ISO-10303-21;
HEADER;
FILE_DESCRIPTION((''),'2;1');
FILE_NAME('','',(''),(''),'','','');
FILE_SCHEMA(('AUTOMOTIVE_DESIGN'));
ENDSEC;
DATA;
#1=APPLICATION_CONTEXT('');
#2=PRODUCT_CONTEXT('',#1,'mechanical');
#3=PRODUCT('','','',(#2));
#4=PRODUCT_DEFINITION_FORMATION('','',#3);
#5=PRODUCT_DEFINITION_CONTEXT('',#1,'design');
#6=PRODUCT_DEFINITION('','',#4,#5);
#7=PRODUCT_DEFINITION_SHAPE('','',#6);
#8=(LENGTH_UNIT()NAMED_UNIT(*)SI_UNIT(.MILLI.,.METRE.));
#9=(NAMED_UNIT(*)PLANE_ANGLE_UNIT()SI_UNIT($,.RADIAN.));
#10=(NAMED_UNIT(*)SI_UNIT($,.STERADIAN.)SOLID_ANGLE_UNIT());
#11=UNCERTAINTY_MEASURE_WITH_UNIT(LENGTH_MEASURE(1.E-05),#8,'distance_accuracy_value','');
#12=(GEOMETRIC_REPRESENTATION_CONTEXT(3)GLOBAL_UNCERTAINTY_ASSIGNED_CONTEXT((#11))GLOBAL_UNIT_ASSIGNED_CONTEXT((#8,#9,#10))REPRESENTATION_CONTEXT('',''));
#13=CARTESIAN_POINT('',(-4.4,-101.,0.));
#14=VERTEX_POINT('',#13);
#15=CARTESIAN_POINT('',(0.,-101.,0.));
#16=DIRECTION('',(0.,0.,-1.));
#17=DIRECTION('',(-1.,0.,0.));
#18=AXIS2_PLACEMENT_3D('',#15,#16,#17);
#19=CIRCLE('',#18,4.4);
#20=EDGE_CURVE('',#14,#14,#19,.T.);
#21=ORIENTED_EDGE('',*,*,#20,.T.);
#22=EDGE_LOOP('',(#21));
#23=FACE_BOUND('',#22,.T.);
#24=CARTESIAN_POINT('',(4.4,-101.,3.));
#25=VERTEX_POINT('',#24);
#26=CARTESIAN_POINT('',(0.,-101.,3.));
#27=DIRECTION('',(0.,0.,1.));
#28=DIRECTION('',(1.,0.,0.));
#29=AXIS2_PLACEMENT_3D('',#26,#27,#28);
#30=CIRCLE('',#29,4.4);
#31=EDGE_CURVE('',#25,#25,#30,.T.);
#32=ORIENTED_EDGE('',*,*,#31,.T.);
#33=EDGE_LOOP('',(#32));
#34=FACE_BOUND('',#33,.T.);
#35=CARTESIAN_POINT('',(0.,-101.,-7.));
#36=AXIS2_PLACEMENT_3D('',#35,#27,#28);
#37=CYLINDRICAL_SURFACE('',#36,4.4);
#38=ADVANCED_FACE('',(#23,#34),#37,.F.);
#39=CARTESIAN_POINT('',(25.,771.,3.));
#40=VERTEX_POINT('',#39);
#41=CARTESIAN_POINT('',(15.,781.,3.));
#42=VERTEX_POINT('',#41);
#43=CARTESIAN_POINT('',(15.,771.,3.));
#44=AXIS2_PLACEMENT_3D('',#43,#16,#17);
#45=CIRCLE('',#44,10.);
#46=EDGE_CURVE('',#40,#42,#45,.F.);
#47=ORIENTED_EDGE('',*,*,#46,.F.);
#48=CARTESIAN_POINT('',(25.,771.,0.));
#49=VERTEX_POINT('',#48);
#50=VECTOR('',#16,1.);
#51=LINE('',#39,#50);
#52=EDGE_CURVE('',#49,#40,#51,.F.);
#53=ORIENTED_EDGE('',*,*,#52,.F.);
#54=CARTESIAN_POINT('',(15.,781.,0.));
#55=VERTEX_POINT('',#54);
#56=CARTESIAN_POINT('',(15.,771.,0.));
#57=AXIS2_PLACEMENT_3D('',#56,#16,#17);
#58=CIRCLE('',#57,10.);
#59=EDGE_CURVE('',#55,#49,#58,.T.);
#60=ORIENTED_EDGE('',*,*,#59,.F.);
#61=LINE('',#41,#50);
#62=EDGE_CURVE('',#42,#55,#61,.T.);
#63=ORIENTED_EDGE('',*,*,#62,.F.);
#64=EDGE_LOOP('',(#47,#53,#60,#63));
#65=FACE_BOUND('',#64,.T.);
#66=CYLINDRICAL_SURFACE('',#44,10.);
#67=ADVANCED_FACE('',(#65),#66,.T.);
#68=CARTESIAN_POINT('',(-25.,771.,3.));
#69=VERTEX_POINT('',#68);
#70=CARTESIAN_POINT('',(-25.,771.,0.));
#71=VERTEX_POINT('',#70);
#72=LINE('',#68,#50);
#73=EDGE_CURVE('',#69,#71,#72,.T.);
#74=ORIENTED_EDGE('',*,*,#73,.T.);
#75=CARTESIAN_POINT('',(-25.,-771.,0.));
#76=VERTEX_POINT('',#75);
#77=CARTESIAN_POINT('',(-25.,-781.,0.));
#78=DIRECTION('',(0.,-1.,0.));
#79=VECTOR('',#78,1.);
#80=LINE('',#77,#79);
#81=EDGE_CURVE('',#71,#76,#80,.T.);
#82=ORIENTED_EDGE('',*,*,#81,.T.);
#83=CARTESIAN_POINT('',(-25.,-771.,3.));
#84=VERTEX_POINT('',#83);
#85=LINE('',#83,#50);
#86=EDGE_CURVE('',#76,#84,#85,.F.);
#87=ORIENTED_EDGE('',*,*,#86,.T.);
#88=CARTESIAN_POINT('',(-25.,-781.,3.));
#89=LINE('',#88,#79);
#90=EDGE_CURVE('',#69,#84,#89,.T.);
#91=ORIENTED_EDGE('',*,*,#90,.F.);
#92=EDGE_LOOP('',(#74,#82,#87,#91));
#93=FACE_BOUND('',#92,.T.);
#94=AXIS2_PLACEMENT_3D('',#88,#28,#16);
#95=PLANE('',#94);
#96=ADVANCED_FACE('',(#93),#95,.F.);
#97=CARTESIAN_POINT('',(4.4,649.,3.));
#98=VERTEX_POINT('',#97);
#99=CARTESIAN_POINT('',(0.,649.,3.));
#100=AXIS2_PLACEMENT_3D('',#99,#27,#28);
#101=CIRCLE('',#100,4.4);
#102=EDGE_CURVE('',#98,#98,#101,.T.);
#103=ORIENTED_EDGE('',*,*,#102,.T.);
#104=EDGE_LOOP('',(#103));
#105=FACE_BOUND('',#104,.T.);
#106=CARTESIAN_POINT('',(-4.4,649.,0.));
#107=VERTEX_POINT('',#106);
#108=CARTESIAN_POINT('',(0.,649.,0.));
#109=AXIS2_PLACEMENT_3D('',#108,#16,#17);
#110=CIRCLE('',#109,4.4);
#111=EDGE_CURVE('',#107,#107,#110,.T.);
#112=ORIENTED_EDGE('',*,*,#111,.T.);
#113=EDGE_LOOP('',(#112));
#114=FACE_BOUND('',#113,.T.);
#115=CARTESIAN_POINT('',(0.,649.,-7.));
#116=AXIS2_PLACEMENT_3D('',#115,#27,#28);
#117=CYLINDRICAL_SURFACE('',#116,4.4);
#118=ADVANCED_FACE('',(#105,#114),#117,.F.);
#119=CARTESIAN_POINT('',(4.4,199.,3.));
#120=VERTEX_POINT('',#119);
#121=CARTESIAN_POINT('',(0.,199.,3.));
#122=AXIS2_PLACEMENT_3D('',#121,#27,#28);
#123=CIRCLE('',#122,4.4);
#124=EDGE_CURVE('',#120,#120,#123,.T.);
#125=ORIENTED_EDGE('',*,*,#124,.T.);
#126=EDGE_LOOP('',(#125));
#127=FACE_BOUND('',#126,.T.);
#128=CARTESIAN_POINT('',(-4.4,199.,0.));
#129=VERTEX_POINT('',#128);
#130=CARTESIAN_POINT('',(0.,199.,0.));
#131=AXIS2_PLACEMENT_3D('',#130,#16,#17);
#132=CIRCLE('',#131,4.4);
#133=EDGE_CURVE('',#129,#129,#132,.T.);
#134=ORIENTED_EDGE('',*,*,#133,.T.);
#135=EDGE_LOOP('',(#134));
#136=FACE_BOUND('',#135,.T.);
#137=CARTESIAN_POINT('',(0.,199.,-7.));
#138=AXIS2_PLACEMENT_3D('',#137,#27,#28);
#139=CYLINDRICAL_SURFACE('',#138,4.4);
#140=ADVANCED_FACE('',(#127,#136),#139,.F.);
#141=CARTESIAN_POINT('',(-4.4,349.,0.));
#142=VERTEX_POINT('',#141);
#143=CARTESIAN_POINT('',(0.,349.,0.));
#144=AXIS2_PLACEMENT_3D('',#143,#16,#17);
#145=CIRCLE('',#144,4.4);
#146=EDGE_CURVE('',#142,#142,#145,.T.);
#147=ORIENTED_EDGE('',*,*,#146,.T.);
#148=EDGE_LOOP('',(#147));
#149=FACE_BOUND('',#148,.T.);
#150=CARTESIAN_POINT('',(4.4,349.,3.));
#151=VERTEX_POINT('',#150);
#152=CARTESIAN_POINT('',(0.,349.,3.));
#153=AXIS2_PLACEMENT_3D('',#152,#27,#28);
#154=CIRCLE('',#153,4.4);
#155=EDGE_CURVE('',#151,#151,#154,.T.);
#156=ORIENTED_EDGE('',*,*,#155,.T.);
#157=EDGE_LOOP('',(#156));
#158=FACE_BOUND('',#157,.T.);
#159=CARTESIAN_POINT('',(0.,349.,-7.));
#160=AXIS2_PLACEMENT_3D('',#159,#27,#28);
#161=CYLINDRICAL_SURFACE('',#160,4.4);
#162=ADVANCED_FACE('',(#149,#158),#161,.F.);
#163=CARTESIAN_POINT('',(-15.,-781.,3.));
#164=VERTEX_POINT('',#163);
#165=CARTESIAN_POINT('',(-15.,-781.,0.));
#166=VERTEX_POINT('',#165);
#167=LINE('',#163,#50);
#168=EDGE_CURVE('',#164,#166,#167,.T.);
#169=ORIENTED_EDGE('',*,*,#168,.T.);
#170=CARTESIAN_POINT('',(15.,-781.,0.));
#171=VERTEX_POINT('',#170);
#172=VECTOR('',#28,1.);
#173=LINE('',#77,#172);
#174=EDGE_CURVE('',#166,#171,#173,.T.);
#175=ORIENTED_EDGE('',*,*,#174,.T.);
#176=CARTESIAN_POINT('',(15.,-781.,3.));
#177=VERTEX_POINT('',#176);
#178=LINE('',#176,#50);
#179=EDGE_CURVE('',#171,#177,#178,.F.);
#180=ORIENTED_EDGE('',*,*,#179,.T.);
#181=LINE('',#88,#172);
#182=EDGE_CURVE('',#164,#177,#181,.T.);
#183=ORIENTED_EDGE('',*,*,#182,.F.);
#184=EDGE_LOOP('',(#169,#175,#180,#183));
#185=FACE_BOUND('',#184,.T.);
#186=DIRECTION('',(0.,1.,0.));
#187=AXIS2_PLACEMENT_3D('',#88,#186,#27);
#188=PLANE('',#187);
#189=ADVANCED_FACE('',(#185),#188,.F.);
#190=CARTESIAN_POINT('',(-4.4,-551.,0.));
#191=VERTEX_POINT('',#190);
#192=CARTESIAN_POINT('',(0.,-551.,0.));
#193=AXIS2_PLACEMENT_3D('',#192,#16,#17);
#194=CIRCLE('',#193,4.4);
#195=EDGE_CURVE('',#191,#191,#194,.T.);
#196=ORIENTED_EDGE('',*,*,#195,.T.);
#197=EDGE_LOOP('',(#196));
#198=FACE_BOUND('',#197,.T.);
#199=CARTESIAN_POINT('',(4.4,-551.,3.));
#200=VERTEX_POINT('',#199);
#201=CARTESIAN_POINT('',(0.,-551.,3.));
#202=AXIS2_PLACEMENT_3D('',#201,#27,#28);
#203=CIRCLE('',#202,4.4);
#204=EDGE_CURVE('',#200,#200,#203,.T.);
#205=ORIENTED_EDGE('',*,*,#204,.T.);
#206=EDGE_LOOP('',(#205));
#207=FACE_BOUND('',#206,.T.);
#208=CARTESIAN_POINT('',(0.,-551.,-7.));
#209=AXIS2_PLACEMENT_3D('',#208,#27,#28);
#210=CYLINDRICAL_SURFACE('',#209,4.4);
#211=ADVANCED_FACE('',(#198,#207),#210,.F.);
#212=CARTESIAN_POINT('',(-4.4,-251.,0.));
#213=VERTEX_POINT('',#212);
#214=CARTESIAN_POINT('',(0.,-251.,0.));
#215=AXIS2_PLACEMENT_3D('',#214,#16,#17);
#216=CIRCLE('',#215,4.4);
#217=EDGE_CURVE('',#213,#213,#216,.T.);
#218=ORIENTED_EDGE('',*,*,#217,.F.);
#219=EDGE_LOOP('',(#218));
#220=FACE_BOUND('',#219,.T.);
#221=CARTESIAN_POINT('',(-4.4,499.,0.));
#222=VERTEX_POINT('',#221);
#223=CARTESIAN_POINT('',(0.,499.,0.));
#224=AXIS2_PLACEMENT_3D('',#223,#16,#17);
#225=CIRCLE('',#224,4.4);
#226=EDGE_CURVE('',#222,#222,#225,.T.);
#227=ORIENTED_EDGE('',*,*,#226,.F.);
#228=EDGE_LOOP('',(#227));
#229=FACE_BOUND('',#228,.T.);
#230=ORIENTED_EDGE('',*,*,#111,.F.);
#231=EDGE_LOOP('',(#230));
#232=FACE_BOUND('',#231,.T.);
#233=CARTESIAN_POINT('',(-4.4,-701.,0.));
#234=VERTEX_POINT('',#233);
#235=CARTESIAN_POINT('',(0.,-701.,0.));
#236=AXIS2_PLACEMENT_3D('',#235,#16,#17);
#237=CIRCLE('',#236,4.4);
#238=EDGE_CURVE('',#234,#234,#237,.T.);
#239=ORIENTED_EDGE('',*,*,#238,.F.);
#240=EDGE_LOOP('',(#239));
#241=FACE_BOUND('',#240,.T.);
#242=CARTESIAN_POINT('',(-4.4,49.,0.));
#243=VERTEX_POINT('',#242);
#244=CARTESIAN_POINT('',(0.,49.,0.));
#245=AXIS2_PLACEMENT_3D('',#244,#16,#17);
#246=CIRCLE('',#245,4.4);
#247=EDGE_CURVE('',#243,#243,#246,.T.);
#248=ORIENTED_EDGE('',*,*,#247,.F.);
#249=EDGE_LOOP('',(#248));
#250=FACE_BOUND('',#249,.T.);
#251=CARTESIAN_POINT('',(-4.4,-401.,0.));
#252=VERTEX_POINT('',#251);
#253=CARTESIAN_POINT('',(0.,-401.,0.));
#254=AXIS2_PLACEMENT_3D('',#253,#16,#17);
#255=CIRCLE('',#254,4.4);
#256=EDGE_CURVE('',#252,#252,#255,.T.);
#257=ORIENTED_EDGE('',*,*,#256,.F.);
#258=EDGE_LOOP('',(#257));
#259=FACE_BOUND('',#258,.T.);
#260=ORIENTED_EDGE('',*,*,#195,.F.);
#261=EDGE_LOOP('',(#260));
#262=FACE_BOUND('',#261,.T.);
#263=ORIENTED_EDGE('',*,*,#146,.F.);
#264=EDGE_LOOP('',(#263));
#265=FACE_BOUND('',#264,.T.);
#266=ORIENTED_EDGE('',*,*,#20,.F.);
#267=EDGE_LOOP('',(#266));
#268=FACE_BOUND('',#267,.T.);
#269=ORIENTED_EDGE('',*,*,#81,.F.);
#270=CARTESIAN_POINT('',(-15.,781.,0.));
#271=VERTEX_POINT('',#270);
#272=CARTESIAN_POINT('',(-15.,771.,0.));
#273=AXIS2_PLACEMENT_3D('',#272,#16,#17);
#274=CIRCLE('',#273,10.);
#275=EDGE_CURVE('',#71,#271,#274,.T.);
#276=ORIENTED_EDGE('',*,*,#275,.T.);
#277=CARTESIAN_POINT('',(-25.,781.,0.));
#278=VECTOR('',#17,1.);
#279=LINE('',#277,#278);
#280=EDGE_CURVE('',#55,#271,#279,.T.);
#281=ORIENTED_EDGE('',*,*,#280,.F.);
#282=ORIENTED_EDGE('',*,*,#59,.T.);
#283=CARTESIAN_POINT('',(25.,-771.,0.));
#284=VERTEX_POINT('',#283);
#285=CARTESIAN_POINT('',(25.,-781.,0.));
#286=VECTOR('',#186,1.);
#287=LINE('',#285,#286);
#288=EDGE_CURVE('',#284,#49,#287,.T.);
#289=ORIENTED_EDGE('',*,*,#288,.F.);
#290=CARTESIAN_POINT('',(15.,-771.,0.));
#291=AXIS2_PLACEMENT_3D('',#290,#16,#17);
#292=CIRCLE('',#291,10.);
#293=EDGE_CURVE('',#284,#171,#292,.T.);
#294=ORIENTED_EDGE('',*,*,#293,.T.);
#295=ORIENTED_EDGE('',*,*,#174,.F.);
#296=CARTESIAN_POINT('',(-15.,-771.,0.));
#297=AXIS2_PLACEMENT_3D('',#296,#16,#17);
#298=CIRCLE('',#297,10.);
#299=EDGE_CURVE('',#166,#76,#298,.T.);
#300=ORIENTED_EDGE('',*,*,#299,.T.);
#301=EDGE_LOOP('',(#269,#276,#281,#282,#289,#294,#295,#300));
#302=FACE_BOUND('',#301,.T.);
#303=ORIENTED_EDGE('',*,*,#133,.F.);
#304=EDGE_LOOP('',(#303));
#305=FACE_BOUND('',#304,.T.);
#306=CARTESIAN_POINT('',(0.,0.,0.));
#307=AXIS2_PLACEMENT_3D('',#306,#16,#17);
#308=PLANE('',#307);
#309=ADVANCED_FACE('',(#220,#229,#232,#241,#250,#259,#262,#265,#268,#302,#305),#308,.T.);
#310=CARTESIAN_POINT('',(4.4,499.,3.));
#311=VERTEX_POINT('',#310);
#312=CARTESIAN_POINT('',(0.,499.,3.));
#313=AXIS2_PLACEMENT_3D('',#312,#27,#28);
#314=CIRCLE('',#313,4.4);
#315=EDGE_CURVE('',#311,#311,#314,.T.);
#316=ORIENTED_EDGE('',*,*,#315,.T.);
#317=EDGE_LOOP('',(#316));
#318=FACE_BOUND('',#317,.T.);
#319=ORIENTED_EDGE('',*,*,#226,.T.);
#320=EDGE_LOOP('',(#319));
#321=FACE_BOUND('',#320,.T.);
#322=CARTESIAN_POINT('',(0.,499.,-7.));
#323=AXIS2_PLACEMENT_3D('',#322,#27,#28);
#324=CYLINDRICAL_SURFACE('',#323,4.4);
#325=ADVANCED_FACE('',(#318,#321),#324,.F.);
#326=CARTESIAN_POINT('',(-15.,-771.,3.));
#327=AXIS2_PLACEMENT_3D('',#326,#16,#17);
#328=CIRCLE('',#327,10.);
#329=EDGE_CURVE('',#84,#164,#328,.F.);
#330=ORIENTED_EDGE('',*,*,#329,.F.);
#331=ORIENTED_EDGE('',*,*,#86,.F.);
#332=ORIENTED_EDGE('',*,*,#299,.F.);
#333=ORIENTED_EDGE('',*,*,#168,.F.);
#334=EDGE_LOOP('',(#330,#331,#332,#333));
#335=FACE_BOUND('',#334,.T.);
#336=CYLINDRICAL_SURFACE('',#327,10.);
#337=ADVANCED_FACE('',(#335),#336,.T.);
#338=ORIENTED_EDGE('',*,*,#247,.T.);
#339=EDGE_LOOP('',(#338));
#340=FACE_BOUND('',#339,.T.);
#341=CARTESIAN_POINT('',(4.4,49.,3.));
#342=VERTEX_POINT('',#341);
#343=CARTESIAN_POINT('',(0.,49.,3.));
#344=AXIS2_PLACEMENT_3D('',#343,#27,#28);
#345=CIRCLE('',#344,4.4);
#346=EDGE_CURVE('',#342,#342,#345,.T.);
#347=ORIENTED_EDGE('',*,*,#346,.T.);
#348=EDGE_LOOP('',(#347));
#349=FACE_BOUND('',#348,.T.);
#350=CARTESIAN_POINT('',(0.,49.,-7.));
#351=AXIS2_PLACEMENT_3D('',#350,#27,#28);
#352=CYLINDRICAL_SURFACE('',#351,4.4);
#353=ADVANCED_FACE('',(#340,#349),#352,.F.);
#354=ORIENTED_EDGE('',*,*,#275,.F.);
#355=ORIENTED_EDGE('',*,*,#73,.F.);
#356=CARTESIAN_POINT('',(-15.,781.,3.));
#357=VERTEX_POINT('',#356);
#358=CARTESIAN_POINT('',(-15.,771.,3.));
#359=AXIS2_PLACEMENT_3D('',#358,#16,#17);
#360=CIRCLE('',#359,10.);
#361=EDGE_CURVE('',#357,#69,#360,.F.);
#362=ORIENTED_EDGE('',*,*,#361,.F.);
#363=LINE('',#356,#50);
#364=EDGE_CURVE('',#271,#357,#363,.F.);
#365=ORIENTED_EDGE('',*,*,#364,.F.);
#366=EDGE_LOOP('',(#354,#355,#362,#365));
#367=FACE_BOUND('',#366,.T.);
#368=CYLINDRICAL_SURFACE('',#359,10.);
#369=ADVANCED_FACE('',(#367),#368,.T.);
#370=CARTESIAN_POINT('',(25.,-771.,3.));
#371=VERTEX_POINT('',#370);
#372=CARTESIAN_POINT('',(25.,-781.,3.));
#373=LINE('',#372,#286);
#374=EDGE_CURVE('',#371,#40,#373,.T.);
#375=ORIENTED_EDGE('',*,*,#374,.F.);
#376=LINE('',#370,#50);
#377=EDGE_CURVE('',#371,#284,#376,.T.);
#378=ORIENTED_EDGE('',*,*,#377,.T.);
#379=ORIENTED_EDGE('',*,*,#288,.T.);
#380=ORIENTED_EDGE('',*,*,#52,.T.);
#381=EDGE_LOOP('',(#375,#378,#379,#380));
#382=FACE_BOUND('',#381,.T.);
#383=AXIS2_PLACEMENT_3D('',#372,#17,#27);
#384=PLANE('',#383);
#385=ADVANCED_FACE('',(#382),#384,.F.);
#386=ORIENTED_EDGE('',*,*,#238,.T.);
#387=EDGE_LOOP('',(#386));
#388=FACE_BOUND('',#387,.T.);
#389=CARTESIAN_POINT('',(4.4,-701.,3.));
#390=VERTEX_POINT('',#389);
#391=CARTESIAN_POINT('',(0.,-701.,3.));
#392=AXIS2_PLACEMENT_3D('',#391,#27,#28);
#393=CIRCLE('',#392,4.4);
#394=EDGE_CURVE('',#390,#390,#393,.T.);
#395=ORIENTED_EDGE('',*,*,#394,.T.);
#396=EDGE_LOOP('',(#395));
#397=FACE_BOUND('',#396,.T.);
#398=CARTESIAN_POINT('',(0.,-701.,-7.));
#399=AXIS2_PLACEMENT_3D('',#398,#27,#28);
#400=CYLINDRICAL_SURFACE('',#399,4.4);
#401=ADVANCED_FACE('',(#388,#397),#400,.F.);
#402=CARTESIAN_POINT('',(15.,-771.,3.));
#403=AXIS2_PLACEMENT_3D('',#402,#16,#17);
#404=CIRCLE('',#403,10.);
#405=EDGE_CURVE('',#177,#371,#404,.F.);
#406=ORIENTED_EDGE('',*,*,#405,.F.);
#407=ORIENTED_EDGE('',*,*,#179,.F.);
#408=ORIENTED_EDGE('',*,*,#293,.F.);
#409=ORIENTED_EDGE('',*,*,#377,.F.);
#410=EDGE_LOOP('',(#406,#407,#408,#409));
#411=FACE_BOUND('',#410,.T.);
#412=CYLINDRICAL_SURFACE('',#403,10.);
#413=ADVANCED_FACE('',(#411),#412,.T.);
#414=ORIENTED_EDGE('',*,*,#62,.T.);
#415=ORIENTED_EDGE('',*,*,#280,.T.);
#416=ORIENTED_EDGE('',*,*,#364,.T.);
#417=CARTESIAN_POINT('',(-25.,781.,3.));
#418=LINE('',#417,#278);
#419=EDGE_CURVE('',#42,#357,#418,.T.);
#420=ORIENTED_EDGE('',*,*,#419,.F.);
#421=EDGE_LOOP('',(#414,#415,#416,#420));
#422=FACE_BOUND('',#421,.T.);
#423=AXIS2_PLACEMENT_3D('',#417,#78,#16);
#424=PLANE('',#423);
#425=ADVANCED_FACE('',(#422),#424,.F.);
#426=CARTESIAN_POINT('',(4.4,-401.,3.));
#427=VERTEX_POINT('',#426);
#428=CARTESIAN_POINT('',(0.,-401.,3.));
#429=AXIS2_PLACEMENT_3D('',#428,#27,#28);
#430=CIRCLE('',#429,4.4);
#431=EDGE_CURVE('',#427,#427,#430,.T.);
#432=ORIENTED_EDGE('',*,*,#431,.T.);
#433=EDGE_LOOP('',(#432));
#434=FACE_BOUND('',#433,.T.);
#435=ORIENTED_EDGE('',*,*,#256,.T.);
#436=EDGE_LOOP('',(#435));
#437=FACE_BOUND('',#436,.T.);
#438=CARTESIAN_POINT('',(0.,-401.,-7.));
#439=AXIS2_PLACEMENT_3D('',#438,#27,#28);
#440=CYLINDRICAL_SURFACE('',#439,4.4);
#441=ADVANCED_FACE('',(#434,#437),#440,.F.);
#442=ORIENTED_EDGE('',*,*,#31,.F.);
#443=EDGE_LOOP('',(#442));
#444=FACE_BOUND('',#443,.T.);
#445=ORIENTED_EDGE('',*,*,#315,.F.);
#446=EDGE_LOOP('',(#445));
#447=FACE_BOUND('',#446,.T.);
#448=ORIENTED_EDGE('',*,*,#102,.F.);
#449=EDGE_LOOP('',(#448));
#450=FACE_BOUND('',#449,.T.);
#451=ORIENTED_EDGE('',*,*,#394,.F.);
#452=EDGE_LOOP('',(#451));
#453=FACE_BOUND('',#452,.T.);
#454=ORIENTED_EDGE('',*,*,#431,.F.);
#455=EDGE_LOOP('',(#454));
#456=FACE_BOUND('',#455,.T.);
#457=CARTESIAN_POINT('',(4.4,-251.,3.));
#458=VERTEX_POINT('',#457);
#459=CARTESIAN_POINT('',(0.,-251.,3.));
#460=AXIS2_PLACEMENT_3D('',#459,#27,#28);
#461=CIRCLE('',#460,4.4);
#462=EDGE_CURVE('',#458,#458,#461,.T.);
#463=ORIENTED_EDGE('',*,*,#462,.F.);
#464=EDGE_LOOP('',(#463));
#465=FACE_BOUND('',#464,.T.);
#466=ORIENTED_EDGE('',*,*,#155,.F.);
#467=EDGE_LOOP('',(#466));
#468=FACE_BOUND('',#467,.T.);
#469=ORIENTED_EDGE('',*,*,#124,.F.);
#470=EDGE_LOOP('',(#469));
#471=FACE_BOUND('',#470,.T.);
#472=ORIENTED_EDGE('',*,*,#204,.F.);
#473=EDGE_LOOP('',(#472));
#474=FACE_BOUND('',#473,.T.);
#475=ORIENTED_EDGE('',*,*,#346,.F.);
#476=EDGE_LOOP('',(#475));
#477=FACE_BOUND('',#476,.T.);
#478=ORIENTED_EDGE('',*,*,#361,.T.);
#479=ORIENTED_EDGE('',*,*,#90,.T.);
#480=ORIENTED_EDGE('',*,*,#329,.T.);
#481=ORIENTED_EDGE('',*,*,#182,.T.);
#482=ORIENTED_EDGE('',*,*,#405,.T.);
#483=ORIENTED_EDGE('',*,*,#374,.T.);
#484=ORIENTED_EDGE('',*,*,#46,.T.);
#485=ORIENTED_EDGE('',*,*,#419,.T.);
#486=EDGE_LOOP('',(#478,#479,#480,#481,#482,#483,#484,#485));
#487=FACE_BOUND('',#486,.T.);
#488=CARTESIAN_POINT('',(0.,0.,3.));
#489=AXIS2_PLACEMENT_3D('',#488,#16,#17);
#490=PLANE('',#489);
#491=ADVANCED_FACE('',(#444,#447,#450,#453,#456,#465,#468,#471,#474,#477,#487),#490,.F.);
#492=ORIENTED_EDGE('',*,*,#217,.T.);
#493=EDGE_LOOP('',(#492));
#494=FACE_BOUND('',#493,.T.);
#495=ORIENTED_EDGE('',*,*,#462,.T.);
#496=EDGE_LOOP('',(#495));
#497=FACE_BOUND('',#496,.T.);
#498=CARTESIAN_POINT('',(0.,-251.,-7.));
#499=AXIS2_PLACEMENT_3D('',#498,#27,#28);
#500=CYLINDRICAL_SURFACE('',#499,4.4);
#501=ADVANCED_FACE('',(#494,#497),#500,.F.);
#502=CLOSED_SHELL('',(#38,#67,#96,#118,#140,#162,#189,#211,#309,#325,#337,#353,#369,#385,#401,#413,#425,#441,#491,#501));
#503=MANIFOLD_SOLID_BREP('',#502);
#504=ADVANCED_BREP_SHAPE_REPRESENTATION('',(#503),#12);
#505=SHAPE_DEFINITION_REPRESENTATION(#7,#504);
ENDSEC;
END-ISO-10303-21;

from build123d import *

# Parameters (mm, degrees)
SKETCH_1_W             = 50
SKETCH_1_H             = 1562
EXTRUDE_1_DEPTH        = 3
FILLET_1_R             = 10
SKETCH_2_R             = 4.4
CUT_EXTRUDE_1_DEPTH    = 10
PATTERN_LINEAR_1_COUNT = 10
PATTERN_LINEAR_1_PITCH = 150


with BuildPart() as part:
    # Эскиз1 → Бобышка-Вытянуть1 (new body)
    with BuildSketch(Plane.XY):
        Rectangle(SKETCH_1_W, SKETCH_1_H)
    extrude(amount=EXTRUDE_1_DEPTH)

    # Скругление1
    fillet_1_edges = [part.edges().sort_by_distance(p)[0] for p in [
        (25, -781, 1.5),
        (-25, -781, 1.5),
        (-25, 781, 1.5),
        (25, 781, 1.5),
    ]]
    fillet(fillet_1_edges, radius=FILLET_1_R)

    # Эскиз2 → Вырез-Вытянуть1 (cut)
    with BuildSketch(Plane.XY.offset(3)):
        with Locations((0, -701)):
            Circle(SKETCH_2_R)
    cut_extrude_1 = extrude(amount=-CUT_EXTRUDE_1_DEPTH, mode=Mode.SUBTRACT)

    # Линейный массив1: Вырез-Вытянуть1 ×10
    with Locations(*[(0, i * PATTERN_LINEAR_1_PITCH, 0) for i in range(1, PATTERN_LINEAR_1_COUNT)]):
        add(cut_extrude_1, mode=Mode.SUBTRACT)


solid = part.part
